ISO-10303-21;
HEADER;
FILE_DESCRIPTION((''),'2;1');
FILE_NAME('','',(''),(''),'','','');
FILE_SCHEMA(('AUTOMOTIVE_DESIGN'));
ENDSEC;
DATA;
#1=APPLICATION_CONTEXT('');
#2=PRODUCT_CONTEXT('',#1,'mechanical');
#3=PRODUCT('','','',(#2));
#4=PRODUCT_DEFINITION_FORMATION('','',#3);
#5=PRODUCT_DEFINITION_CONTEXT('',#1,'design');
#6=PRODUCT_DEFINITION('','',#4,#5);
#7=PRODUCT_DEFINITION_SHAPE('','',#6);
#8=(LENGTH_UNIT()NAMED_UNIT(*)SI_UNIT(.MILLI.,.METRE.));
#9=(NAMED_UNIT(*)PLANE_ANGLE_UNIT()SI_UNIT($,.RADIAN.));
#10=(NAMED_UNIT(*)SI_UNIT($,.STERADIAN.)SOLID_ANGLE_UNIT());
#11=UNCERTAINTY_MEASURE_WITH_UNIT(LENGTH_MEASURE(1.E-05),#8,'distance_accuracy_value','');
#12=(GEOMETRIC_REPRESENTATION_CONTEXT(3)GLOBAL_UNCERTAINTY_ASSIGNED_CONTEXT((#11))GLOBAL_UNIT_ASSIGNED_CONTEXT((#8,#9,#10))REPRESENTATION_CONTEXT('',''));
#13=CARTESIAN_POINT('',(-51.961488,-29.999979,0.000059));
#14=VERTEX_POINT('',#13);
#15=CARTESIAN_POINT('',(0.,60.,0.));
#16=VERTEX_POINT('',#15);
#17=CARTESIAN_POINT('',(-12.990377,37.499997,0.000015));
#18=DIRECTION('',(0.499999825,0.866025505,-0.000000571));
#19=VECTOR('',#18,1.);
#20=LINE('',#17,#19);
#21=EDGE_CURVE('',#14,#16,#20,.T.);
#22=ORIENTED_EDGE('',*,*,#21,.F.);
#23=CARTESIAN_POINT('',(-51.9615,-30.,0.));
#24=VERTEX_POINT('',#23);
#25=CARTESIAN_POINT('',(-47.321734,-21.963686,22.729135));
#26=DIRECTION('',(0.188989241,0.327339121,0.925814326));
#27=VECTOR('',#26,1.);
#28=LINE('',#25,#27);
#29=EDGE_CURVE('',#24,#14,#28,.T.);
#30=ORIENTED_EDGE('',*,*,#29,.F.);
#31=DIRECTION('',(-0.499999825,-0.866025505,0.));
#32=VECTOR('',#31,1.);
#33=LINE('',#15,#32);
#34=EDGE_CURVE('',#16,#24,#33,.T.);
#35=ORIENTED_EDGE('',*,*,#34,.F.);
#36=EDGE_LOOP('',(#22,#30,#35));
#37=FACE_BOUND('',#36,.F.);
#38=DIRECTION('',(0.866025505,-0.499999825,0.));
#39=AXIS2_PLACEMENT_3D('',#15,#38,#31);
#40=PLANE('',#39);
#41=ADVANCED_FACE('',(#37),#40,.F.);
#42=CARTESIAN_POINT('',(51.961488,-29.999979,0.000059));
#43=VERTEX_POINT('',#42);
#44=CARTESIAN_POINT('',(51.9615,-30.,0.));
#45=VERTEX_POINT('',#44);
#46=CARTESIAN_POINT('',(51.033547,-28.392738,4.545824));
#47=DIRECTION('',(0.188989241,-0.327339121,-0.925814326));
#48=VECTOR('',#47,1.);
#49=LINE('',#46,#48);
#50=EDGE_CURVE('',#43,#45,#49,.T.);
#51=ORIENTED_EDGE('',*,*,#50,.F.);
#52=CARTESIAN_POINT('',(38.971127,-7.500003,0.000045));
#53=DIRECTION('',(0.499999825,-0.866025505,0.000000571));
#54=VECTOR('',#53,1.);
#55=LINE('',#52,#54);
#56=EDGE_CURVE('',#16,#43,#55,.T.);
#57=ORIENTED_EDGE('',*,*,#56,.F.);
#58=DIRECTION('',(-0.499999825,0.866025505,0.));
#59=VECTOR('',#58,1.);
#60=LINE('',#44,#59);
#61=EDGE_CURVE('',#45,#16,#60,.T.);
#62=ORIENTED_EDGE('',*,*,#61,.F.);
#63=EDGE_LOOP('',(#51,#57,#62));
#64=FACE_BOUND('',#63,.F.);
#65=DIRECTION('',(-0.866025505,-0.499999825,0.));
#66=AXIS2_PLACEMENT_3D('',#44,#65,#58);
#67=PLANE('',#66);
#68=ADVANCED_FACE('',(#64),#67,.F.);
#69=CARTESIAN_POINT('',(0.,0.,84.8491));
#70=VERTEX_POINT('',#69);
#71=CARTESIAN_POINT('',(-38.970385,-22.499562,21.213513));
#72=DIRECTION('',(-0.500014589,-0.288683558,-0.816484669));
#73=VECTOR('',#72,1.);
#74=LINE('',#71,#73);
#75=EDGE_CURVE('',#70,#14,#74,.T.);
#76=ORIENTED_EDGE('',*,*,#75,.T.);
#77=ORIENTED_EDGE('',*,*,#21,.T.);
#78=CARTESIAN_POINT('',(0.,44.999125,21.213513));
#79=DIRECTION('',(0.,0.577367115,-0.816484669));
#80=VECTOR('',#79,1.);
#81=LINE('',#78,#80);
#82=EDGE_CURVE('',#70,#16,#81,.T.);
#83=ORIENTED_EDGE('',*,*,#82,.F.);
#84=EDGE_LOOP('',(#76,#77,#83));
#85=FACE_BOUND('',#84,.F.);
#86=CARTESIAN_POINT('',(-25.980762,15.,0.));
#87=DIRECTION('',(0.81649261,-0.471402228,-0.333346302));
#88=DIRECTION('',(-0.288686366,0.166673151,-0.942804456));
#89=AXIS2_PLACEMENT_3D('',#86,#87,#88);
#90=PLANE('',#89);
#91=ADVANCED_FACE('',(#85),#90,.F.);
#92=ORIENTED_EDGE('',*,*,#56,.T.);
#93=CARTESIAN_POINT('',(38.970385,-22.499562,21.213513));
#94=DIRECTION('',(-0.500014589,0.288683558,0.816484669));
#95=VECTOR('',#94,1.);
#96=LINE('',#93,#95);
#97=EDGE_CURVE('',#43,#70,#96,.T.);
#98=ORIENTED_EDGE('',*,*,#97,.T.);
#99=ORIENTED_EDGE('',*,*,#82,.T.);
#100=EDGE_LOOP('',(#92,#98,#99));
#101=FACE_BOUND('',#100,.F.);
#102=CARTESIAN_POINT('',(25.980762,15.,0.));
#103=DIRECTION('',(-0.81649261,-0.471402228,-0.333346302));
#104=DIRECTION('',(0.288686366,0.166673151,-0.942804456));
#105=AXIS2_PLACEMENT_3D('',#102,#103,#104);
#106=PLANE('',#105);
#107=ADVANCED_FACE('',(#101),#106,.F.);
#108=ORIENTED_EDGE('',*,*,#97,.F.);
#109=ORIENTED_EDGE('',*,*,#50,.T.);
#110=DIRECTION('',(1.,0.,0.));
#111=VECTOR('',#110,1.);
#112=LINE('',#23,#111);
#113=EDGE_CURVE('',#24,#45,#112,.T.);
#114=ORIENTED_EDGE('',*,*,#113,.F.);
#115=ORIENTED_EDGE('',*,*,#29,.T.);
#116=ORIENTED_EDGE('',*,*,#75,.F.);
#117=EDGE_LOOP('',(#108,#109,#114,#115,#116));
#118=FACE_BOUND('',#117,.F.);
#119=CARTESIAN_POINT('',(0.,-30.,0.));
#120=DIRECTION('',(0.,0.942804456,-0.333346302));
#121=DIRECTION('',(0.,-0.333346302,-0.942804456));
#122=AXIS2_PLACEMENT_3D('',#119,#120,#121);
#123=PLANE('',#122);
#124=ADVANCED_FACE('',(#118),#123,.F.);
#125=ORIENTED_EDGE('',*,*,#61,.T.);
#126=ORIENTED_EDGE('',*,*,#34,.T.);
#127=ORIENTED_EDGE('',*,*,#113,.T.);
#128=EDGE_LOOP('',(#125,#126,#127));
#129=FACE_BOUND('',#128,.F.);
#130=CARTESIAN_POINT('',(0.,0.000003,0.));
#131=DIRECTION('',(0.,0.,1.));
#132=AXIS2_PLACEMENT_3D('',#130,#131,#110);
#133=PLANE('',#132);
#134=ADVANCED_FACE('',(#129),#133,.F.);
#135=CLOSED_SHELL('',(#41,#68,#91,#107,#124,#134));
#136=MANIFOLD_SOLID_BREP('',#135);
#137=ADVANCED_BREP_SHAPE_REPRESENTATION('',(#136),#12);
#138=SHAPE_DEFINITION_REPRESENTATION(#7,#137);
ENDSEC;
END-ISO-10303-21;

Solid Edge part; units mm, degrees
sketch "Sketch1" plane through (0, 0, 0) normal (0, 0, 1) x (1, 0, 0)
  line L0 (51.9615, -30) -> (0, 60)
  line L1 (0, 60) -> (-51.9615, -30)
  line L2 (-51.9615, -30) -> (51.9615, -30)
extrude "Protrusion1" add sketch "Sketch1" along normal blind 110
sketch "Sketch2" plane through (0, 15, 110) normal (0, 0, 1) x (-0.5, 0.866, 0)
  line L0 (-64.9519, -22.5) -> (-12.9904, 67.5)
  line L1 (-12.9904, 67.5) -> (38.9711, -22.5)
  line L2 (38.9711, -22.5) -> (-64.9519, -22.5)
extrude "Cutout1" cut sketch "Sketch2" against normal up to vertex (25.1509 mm away)
sketch "Sketch3" plane through (0, 0, 0) normal (1, 0, 0) x (0, 1, 0)
  line L0 (0, 84.8491) -> (-30, 0)
extrude "ExtrudedCutout_2" cut sketch "Sketch3" along normal mid plane 220 material side at (0, -15.0471, 42.4412)
pattern_circular "Pattern1" count 3 over 360 about axis through (0, 0, 84.8491) along (0, 0, -1) of "ExtrudedCutout_2"
